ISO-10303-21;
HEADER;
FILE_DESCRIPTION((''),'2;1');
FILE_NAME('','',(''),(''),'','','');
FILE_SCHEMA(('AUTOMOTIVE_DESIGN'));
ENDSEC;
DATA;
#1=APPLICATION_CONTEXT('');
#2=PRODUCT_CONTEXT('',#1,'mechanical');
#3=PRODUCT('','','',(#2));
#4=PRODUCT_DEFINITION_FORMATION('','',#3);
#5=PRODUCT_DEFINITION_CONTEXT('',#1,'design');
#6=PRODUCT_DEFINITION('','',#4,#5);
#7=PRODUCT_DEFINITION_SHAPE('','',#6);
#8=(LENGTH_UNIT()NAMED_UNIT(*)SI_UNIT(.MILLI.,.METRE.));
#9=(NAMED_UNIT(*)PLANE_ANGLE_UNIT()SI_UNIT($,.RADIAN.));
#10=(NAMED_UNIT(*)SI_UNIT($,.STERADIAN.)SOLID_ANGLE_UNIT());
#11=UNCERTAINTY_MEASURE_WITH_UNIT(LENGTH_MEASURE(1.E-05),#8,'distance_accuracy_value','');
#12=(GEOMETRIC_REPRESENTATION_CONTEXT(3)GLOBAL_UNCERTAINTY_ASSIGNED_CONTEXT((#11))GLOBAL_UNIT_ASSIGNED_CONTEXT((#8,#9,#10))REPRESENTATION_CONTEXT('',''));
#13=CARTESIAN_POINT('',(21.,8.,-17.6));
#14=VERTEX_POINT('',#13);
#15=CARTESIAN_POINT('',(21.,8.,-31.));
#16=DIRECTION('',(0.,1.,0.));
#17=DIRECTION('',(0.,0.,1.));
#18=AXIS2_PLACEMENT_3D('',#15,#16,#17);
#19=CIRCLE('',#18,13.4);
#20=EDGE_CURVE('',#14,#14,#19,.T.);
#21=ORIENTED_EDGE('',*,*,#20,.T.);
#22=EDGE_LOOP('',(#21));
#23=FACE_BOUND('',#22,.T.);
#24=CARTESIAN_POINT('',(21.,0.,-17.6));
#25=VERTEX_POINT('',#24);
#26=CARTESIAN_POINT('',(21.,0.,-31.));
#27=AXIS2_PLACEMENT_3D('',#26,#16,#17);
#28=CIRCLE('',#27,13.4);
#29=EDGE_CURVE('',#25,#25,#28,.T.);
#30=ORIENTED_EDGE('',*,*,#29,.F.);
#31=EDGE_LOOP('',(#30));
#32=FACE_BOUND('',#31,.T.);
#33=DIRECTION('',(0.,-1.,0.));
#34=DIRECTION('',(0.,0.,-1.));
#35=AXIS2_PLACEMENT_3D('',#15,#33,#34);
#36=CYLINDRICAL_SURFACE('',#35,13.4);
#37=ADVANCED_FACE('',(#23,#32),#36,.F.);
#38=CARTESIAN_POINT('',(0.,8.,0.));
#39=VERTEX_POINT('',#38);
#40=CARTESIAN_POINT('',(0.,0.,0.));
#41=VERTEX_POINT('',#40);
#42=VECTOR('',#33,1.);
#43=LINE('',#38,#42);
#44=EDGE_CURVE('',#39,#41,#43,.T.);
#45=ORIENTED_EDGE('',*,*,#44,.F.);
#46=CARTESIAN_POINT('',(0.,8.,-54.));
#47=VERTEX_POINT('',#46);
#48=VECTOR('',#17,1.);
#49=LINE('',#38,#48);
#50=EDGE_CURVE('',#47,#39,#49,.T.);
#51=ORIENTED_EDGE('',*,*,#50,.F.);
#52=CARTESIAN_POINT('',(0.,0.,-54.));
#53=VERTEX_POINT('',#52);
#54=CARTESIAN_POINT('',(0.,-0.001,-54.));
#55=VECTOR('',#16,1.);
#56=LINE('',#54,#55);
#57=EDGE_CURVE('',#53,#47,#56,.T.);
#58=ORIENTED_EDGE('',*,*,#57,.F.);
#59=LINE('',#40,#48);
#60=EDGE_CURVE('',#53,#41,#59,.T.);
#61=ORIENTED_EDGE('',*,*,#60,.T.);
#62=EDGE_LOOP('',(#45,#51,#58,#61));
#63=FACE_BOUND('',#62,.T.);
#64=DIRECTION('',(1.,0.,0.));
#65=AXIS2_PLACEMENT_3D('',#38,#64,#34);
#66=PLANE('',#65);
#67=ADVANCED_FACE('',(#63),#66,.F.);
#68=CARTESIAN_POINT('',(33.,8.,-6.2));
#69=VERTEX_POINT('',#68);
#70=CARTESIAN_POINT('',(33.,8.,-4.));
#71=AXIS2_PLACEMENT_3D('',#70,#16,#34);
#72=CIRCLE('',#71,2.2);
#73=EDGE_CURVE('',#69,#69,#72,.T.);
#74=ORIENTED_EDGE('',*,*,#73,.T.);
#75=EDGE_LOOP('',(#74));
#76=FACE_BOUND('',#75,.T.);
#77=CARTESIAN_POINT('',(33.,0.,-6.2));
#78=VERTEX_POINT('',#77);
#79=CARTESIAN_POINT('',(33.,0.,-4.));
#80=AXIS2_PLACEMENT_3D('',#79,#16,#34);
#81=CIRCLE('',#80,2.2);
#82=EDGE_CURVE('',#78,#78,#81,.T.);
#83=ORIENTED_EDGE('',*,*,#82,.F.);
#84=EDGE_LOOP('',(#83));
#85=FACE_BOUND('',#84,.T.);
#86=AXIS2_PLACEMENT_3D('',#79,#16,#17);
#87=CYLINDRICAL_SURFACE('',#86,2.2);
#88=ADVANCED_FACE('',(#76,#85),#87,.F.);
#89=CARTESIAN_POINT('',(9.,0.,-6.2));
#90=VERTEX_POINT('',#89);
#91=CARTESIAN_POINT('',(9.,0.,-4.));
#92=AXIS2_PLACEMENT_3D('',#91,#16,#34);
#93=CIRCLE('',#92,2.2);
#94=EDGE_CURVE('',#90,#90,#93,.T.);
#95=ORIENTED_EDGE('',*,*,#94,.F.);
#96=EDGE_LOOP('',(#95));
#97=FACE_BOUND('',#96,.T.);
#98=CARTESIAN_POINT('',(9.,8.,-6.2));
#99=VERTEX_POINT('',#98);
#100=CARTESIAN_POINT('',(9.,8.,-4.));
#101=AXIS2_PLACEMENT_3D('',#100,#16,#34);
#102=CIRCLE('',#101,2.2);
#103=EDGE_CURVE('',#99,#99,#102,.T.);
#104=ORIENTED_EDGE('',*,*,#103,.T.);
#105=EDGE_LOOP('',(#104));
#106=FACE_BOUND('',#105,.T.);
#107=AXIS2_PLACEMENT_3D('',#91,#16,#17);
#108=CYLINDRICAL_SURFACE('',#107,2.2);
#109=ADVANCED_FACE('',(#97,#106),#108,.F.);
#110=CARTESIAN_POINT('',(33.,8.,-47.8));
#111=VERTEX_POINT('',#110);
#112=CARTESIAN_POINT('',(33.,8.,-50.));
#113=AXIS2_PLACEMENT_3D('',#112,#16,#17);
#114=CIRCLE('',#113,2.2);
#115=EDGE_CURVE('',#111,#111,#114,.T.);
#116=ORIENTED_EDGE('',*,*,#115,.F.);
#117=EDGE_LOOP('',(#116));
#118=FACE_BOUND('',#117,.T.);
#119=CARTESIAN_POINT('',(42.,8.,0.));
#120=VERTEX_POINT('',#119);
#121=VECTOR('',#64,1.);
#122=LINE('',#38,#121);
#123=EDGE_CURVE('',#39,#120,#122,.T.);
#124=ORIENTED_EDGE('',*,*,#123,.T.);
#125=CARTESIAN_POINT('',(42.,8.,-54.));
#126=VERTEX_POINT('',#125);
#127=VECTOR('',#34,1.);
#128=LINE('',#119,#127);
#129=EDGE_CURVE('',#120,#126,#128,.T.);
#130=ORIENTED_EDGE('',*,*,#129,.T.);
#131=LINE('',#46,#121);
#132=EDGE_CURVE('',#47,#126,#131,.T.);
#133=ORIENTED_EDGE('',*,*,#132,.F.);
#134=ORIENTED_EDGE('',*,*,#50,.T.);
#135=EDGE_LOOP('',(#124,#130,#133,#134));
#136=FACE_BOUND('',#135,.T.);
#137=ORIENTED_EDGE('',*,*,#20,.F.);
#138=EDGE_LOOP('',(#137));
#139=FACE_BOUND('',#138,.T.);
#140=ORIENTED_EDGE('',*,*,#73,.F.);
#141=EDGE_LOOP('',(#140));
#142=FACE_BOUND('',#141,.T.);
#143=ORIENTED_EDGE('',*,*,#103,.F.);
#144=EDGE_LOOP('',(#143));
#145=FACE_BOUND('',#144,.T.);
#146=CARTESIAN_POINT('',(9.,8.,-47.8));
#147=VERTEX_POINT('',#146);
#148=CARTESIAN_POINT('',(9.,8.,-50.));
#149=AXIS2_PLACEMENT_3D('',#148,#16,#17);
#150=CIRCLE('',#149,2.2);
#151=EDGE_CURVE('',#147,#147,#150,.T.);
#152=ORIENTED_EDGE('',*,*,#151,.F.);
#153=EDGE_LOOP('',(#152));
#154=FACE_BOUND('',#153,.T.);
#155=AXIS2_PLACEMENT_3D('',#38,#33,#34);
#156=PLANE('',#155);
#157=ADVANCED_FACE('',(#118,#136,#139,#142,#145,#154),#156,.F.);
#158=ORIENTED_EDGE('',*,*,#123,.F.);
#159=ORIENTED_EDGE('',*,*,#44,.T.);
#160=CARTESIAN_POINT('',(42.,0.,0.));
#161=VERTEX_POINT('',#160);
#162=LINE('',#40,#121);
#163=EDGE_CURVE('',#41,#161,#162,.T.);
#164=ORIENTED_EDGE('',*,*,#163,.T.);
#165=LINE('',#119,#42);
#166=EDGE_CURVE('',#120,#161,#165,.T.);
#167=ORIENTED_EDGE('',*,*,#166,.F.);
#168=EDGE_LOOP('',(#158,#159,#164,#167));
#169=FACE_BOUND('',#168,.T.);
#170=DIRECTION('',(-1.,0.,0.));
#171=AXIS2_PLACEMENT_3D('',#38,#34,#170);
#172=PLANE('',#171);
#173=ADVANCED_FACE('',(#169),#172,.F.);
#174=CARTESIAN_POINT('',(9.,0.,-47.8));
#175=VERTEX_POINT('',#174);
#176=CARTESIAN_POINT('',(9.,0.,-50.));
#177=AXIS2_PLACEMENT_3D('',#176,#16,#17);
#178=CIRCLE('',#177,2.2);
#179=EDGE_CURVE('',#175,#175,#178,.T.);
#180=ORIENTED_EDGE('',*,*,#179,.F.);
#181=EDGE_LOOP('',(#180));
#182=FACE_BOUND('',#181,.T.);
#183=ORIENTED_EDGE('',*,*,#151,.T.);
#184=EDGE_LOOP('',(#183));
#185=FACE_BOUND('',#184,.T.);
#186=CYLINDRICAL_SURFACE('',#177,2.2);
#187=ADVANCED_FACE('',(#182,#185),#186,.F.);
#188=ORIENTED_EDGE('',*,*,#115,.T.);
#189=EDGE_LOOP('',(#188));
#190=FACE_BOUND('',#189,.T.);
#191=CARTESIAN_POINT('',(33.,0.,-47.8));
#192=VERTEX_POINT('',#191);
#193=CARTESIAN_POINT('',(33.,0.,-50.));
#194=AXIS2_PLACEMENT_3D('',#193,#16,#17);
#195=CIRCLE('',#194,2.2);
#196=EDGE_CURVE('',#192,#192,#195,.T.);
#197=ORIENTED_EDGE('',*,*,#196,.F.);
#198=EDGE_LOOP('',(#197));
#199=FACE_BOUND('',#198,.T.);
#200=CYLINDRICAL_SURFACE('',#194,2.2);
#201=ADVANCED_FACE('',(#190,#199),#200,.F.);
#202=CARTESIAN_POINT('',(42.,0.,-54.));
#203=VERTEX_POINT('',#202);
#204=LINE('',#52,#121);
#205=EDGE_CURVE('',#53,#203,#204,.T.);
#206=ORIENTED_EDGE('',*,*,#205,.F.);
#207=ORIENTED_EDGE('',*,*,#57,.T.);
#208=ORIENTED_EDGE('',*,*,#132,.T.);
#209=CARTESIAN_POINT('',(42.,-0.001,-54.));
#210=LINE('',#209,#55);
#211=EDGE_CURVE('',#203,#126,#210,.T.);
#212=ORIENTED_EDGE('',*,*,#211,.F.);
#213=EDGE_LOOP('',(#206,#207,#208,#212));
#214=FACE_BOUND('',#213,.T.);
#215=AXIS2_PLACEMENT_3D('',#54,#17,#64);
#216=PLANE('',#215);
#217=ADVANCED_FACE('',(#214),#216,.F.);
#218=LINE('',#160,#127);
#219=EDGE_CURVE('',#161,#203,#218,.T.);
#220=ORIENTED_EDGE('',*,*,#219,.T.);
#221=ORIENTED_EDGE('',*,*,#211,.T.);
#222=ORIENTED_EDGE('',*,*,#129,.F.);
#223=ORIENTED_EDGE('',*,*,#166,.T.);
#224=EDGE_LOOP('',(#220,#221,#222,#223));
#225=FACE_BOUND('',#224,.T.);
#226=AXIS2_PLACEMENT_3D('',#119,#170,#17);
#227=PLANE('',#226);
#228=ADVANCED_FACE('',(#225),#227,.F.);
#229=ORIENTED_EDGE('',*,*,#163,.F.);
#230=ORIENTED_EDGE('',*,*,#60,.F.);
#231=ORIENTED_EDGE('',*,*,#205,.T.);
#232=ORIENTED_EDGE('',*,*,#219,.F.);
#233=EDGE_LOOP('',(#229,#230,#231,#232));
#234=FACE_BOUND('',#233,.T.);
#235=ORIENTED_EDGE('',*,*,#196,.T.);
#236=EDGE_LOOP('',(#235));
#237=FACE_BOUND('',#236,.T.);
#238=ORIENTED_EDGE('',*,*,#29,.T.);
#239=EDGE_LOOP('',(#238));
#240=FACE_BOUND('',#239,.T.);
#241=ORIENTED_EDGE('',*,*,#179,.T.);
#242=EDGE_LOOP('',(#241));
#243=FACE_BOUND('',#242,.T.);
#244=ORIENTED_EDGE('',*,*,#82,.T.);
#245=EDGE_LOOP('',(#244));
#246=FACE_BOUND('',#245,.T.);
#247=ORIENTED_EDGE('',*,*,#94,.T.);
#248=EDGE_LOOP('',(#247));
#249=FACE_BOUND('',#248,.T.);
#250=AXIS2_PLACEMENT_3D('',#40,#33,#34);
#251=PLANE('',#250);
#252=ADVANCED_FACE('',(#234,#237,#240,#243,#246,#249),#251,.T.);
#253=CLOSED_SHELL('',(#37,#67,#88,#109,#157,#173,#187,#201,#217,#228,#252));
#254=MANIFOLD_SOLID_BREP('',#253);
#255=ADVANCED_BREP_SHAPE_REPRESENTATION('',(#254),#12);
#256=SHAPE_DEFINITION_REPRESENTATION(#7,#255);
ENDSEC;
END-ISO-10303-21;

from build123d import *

# Parameters (mm, degrees)
ESQUISSE1_W             = 42
ESQUISSE1_H             = 62
ESQUISSE1_R             = 13.4
BOSS_EXTRU_1_DEPTH      = 8
ENL_V_MAT_EXTRU_2_REACH = 10
ESQUISSE3_W             = 42
ESQUISSE3_H             = 8
ESQUISSE2_R             = 2.2
ENL_V_MAT_EXTRU_1_DEPTH = 9


with BuildPart() as part:
    # Esquisse1 → Boss.-Extru.1 (new body)
    with BuildSketch(Plane(origin=(0, 0, 0), x_dir=(1, 0, 0), z_dir=(0, 1, 0))):
        with Locations((21, 31)):
            Rectangle(ESQUISSE1_W, ESQUISSE1_H)
        with Locations((21, 31)):
            Circle(ESQUISSE1_R, mode=Mode.SUBTRACT)
    extrude(amount=BOSS_EXTRU_1_DEPTH)

    # Esquisse3 → Enlèv. mat.-Extru.2 (cut, up to next)
    with BuildSketch(Plane(origin=(0, 8, 0), x_dir=(1, 0, 0), z_dir=(0, 1, 0)), mode=Mode.PRIVATE) as enl_v_mat_extru_2_sk1:
        with Locations((21, 58)):
            Rectangle(ESQUISSE3_W, ESQUISSE3_H)
    enl_v_mat_extru_2_tool1 = extrude(enl_v_mat_extru_2_sk1.sketch, amount=-ENL_V_MAT_EXTRU_2_REACH, mode=Mode.PRIVATE) & part.part
    add(enl_v_mat_extru_2_tool1.solids().sort_by_distance((21, 8, -58))[0], mode=Mode.SUBTRACT)

    # Esquisse2 → Enlèv. mat.-Extru.1 (cut, through all)
    with BuildSketch(Plane(origin=(0, 8, 0), x_dir=(1, 0, 0), z_dir=(0, 1, 0))):
        with Locations((9, 50)):
            Circle(ESQUISSE2_R)
        with Locations((33, 50)):
            Circle(ESQUISSE2_R)
        with Locations((33, 4)):
            Circle(ESQUISSE2_R)
        with Locations((9, 4)):
            Circle(ESQUISSE2_R)
    extrude(amount=-ENL_V_MAT_EXTRU_1_DEPTH, mode=Mode.SUBTRACT)


solid = part.part
